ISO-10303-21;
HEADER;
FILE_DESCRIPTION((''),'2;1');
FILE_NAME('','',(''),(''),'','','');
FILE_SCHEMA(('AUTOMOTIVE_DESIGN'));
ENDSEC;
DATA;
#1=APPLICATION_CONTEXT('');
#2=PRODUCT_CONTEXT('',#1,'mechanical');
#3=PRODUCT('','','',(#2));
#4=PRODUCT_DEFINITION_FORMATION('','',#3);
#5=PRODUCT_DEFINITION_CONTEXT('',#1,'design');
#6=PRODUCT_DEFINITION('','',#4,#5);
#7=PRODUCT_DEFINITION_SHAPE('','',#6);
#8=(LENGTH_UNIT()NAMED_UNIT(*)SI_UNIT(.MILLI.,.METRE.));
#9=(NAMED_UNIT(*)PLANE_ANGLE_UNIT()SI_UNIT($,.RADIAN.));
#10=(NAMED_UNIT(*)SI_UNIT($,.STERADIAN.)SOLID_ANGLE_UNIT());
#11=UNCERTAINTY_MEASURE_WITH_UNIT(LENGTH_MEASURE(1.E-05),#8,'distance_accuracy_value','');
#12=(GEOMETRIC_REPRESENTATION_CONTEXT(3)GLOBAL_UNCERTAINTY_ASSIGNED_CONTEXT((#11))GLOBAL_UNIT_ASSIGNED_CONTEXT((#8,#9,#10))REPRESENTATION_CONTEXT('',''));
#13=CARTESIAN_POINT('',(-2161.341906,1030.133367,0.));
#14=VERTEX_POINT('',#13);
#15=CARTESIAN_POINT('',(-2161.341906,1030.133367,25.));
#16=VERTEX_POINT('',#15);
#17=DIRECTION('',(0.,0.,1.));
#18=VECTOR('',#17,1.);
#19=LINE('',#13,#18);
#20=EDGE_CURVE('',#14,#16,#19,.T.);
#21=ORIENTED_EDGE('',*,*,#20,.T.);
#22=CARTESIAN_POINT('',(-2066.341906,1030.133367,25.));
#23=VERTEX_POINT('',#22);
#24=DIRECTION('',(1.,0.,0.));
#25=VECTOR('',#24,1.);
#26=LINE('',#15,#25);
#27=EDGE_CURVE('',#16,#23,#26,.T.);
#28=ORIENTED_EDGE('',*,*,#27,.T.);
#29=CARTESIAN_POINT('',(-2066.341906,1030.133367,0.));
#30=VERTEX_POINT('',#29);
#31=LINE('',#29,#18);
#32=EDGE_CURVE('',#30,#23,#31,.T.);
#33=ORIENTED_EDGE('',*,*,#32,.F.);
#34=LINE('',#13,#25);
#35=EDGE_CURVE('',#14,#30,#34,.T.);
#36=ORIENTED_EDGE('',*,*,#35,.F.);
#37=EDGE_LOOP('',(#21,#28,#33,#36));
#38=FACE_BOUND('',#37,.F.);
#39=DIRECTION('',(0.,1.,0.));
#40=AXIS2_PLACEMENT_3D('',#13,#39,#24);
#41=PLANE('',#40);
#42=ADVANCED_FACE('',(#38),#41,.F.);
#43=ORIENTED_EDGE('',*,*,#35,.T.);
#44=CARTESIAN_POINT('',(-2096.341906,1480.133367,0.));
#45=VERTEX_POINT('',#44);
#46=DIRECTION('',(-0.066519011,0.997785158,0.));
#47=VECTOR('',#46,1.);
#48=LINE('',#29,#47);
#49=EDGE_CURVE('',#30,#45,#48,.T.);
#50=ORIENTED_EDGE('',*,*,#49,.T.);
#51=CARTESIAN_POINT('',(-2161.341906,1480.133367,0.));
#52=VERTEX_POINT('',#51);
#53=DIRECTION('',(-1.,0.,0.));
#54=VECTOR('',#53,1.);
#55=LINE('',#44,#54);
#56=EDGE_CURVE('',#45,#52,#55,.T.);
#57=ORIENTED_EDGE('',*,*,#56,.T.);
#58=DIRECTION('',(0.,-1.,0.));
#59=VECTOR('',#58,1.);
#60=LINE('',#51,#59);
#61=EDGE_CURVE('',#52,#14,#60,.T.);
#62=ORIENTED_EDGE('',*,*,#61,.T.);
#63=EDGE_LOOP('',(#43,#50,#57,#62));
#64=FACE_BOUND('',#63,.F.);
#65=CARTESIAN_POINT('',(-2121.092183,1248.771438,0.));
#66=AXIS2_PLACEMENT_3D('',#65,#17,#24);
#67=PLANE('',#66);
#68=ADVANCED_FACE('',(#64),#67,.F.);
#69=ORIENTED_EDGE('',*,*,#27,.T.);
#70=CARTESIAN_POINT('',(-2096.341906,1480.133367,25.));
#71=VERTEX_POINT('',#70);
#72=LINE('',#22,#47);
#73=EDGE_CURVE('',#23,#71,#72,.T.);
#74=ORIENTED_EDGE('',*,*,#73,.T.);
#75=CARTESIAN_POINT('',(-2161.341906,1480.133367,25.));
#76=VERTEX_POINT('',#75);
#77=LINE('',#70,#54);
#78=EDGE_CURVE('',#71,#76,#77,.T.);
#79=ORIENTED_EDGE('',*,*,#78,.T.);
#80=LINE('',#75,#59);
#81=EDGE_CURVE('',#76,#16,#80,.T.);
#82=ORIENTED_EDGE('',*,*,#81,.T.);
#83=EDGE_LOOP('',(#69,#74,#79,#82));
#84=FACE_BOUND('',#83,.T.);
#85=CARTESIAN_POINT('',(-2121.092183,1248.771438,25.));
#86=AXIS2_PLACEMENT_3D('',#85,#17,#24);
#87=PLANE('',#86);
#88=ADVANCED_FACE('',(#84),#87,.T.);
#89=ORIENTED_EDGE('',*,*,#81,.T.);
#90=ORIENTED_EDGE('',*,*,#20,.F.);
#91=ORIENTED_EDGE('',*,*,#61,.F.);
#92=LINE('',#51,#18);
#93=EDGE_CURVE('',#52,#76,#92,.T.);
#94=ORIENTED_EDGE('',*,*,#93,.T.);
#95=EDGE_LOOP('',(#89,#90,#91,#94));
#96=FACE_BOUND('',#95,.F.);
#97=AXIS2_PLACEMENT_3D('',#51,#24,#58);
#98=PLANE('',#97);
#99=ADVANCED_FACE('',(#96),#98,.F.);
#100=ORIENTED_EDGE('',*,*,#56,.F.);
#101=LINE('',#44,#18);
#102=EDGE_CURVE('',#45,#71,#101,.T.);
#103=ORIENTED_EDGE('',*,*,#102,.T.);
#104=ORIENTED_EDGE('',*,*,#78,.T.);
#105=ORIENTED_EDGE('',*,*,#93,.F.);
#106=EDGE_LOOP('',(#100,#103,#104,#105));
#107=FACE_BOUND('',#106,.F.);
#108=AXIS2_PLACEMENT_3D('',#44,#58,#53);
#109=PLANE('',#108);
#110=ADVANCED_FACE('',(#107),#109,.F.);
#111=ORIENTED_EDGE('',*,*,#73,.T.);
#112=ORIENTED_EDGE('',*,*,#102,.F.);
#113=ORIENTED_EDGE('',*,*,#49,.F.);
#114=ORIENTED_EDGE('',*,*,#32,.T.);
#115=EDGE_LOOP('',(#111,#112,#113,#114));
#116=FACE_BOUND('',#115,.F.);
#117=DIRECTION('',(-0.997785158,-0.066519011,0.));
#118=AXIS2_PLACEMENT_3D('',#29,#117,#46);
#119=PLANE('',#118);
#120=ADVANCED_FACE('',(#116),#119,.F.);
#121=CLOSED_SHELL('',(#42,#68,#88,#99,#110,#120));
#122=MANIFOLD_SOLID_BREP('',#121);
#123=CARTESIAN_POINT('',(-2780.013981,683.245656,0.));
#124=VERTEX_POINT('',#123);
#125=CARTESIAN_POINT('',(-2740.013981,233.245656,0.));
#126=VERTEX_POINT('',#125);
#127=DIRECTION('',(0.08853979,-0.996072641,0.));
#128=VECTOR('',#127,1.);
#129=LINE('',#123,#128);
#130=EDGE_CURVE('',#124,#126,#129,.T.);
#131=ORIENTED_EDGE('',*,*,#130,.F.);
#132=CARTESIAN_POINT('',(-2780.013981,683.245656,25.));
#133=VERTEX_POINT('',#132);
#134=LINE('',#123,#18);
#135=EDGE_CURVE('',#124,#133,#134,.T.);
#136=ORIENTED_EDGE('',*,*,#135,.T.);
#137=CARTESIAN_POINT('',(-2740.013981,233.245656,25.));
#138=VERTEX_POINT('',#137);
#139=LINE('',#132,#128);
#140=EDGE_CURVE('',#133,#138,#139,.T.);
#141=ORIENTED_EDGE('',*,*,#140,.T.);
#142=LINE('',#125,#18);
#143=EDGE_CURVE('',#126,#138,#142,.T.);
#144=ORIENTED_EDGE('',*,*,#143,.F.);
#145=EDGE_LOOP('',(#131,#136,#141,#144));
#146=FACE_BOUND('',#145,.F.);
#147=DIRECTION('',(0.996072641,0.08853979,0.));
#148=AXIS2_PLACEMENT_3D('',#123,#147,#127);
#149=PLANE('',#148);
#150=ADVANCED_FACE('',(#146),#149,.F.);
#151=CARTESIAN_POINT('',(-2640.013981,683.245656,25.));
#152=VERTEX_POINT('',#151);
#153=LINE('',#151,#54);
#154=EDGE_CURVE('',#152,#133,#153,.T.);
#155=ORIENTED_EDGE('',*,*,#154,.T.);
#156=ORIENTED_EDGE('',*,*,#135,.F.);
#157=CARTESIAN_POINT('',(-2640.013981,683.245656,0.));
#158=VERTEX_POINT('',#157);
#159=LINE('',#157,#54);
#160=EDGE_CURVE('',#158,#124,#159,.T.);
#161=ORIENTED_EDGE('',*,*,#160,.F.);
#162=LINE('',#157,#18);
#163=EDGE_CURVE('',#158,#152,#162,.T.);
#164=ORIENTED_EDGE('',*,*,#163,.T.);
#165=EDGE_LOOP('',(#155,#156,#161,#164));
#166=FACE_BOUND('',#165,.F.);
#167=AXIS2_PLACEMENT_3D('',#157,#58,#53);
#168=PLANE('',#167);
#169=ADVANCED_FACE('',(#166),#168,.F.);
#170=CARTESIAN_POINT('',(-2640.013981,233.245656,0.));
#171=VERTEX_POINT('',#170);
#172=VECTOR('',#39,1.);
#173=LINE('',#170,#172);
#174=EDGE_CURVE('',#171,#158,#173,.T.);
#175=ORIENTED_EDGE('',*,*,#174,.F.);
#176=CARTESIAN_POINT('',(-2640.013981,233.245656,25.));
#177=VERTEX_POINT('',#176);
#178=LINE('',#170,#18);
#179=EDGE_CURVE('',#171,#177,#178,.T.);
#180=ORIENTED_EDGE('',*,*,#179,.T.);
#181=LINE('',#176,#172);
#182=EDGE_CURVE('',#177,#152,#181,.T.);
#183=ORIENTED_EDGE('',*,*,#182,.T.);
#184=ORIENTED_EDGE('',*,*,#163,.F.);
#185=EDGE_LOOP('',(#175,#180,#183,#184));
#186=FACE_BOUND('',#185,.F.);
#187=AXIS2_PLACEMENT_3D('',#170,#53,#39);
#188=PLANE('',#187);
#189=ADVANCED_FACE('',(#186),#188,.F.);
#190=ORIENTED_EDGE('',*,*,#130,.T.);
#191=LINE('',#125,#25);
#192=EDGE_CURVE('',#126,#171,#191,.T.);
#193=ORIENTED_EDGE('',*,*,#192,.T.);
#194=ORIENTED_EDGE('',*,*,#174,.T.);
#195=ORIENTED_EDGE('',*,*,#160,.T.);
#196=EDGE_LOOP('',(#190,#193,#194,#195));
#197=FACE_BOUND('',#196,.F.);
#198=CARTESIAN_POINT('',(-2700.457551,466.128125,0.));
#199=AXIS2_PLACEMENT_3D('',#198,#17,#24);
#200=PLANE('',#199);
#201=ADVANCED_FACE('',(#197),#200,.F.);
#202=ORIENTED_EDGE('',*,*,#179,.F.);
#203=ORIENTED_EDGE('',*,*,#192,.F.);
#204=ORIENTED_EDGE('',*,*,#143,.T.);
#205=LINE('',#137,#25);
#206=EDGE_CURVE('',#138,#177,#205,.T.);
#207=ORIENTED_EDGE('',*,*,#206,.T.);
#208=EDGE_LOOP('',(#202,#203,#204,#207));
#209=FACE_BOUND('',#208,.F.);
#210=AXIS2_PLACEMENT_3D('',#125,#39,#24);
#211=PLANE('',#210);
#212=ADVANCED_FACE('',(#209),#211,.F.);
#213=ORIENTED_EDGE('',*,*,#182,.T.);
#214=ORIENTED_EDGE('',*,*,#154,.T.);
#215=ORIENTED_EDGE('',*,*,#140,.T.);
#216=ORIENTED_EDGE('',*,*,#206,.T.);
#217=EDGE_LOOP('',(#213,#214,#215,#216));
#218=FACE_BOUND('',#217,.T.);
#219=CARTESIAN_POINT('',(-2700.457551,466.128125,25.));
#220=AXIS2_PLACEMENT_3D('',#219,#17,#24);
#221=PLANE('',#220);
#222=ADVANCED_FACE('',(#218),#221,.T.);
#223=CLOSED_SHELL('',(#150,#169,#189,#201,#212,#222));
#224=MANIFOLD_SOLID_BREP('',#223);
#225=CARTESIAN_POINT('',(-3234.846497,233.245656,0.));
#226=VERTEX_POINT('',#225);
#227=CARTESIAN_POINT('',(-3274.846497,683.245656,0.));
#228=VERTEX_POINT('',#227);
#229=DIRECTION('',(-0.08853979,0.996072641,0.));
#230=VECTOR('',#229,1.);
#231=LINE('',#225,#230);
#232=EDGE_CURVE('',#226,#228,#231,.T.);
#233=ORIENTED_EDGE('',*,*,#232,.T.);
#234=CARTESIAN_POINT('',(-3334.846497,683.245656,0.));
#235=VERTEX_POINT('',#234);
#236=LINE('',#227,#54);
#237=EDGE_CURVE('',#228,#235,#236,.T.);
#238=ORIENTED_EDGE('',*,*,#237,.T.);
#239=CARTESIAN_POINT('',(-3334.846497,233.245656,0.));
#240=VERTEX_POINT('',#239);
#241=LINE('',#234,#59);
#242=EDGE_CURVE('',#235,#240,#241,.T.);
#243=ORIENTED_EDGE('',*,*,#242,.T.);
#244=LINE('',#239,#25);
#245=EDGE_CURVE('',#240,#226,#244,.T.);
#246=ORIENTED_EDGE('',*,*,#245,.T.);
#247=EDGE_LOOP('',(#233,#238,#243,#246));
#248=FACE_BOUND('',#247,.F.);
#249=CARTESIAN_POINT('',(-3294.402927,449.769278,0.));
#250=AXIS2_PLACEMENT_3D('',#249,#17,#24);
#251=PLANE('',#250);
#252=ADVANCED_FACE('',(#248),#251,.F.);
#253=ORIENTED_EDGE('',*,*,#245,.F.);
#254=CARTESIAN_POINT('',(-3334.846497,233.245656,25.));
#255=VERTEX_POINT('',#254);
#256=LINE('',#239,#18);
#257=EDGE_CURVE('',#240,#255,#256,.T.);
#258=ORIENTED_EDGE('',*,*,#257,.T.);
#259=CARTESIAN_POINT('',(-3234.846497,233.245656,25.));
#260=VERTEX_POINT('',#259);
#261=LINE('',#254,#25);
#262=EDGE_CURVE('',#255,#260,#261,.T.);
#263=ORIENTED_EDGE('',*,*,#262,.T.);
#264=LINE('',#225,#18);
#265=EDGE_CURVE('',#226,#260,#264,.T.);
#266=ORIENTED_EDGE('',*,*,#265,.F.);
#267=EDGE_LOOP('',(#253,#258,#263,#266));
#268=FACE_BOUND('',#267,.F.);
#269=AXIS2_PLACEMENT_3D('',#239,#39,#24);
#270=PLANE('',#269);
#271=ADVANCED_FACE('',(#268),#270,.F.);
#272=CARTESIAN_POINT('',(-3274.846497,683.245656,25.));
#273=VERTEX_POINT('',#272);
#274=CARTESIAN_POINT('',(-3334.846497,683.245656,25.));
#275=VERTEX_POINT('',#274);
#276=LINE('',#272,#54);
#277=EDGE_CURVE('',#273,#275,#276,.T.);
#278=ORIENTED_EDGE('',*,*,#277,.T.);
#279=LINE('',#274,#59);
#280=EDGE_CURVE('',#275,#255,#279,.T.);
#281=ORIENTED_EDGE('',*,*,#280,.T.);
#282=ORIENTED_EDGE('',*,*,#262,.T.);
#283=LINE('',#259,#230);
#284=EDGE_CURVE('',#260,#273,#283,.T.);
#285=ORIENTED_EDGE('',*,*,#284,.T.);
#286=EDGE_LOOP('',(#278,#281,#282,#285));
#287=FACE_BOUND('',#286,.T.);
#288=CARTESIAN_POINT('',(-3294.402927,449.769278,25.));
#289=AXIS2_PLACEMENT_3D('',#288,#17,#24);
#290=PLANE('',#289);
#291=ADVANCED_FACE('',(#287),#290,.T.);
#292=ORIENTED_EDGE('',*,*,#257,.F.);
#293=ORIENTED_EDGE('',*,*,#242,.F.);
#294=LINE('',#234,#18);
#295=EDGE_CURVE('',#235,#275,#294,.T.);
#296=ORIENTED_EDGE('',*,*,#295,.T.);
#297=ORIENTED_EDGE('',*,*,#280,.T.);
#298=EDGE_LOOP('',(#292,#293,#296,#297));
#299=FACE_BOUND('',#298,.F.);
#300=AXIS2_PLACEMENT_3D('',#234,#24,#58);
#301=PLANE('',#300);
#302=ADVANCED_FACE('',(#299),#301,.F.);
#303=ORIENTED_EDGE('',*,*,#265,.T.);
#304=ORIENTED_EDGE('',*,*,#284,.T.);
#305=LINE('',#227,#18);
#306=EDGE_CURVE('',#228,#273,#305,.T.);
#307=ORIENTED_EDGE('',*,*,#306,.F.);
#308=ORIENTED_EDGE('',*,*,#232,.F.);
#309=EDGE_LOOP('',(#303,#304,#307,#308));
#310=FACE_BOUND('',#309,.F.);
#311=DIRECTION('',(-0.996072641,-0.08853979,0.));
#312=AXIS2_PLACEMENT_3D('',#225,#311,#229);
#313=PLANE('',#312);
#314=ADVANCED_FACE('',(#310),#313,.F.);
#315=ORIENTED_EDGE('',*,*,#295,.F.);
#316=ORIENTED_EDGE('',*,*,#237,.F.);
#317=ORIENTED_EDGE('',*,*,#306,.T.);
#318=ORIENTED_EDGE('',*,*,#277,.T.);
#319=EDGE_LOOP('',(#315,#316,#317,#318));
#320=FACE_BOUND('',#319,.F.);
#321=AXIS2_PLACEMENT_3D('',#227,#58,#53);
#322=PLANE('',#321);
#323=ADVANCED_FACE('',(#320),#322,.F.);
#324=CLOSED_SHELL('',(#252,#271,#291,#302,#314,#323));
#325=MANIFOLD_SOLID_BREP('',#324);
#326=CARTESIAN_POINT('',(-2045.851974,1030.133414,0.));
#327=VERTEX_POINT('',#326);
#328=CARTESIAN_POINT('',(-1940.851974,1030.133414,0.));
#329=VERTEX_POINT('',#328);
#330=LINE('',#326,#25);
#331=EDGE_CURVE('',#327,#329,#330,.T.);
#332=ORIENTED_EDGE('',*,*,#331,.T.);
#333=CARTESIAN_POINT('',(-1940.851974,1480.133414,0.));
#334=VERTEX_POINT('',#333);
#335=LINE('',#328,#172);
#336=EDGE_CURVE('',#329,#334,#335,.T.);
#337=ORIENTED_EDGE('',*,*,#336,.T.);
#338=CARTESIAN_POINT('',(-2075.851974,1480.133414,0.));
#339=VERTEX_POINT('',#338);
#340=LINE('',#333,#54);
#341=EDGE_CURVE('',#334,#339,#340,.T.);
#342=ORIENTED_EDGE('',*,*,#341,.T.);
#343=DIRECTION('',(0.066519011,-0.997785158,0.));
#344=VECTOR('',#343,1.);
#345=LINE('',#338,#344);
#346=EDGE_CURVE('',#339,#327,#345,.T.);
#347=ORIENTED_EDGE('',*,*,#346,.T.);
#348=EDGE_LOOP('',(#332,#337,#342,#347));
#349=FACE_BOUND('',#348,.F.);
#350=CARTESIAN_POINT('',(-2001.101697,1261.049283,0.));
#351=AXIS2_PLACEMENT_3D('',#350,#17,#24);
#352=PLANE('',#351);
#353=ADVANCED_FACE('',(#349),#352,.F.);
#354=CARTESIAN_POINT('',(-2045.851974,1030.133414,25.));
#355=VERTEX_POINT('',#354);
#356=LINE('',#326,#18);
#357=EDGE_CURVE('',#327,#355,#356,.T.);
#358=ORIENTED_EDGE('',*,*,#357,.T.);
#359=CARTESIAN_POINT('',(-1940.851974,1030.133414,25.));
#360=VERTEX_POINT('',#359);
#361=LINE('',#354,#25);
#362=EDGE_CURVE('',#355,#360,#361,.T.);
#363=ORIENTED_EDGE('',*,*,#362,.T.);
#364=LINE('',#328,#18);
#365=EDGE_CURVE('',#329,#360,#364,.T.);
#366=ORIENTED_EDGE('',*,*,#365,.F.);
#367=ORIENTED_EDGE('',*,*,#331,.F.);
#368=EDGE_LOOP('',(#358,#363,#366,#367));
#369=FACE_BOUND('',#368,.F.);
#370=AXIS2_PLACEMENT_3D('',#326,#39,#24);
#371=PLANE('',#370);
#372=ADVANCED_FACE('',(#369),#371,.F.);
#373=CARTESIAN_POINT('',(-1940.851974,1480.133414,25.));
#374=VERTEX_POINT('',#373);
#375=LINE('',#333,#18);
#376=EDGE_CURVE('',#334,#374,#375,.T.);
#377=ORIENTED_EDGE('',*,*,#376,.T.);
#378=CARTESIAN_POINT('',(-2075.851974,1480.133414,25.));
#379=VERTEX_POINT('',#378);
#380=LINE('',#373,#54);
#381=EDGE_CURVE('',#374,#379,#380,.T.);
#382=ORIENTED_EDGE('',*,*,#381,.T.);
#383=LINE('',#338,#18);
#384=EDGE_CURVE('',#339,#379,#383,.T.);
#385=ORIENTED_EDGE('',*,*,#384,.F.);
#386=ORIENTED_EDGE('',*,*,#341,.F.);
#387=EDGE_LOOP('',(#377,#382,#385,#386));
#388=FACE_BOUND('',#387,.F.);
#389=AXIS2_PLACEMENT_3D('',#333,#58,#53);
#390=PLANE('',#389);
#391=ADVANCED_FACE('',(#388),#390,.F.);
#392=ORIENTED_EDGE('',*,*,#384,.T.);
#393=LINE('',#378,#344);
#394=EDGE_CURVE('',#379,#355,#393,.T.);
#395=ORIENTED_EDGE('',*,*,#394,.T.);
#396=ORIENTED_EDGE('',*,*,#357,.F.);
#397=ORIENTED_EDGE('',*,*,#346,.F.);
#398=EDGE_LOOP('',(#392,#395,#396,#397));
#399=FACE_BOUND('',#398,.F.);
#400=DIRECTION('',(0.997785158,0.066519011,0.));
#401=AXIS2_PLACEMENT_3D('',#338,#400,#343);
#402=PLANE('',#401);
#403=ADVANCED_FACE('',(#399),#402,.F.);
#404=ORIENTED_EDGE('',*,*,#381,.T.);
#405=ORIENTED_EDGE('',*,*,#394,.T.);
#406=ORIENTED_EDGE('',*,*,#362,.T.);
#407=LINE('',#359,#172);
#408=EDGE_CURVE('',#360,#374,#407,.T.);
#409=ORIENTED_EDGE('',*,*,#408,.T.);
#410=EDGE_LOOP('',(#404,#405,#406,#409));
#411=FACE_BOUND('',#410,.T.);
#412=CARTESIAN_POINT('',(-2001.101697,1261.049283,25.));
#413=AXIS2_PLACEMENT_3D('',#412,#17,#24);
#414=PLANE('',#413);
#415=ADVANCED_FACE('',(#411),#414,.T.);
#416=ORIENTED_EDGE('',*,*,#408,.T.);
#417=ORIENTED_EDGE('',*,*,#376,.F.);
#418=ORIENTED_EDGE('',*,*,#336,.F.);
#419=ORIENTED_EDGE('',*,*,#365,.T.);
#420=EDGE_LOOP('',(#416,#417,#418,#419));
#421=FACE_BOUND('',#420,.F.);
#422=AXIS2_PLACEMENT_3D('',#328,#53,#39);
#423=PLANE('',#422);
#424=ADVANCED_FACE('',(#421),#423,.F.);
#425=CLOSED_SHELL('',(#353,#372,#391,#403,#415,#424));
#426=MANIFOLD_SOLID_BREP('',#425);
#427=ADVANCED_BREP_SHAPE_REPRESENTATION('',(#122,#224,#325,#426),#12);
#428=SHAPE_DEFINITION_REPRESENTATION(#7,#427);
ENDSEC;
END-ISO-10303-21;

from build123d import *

# Parameters (mm, degrees)
F1_DEPTH = 25
F3_DEPTH = 25


with BuildPart() as f1:
    # F0 (on Top) → F1 (new body)
    with BuildSketch(Plane.XY):
        Polygon((-2096.341906, 1480.133367), (-2161.341906, 1480.133367), (-2161.341906, 1030.133367), (-2066.341906, 1030.133367), align=None)
        Polygon((-1940.851974, 1480.133414), (-2075.851974, 1480.133414), (-2045.851974, 1030.133414), (-1940.851974, 1030.133414), align=None)
    extrude(amount=F1_DEPTH)


with BuildPart() as f3:
    # F2 (on Top) → F3 (new body)
    with BuildSketch(Plane.XY):
        Polygon((-2640.013981, 683.245656), (-2780.013981, 683.245656), (-2740.013981, 233.245656), (-2640.013981, 233.245656), align=None)
        Polygon((-3234.846497, 233.245656), (-3274.846497, 683.245656), (-3334.846497, 683.245656), (-3334.846497, 233.245656), align=None)
    extrude(amount=F3_DEPTH)


solid = Compound([f1.part, f3.part])
